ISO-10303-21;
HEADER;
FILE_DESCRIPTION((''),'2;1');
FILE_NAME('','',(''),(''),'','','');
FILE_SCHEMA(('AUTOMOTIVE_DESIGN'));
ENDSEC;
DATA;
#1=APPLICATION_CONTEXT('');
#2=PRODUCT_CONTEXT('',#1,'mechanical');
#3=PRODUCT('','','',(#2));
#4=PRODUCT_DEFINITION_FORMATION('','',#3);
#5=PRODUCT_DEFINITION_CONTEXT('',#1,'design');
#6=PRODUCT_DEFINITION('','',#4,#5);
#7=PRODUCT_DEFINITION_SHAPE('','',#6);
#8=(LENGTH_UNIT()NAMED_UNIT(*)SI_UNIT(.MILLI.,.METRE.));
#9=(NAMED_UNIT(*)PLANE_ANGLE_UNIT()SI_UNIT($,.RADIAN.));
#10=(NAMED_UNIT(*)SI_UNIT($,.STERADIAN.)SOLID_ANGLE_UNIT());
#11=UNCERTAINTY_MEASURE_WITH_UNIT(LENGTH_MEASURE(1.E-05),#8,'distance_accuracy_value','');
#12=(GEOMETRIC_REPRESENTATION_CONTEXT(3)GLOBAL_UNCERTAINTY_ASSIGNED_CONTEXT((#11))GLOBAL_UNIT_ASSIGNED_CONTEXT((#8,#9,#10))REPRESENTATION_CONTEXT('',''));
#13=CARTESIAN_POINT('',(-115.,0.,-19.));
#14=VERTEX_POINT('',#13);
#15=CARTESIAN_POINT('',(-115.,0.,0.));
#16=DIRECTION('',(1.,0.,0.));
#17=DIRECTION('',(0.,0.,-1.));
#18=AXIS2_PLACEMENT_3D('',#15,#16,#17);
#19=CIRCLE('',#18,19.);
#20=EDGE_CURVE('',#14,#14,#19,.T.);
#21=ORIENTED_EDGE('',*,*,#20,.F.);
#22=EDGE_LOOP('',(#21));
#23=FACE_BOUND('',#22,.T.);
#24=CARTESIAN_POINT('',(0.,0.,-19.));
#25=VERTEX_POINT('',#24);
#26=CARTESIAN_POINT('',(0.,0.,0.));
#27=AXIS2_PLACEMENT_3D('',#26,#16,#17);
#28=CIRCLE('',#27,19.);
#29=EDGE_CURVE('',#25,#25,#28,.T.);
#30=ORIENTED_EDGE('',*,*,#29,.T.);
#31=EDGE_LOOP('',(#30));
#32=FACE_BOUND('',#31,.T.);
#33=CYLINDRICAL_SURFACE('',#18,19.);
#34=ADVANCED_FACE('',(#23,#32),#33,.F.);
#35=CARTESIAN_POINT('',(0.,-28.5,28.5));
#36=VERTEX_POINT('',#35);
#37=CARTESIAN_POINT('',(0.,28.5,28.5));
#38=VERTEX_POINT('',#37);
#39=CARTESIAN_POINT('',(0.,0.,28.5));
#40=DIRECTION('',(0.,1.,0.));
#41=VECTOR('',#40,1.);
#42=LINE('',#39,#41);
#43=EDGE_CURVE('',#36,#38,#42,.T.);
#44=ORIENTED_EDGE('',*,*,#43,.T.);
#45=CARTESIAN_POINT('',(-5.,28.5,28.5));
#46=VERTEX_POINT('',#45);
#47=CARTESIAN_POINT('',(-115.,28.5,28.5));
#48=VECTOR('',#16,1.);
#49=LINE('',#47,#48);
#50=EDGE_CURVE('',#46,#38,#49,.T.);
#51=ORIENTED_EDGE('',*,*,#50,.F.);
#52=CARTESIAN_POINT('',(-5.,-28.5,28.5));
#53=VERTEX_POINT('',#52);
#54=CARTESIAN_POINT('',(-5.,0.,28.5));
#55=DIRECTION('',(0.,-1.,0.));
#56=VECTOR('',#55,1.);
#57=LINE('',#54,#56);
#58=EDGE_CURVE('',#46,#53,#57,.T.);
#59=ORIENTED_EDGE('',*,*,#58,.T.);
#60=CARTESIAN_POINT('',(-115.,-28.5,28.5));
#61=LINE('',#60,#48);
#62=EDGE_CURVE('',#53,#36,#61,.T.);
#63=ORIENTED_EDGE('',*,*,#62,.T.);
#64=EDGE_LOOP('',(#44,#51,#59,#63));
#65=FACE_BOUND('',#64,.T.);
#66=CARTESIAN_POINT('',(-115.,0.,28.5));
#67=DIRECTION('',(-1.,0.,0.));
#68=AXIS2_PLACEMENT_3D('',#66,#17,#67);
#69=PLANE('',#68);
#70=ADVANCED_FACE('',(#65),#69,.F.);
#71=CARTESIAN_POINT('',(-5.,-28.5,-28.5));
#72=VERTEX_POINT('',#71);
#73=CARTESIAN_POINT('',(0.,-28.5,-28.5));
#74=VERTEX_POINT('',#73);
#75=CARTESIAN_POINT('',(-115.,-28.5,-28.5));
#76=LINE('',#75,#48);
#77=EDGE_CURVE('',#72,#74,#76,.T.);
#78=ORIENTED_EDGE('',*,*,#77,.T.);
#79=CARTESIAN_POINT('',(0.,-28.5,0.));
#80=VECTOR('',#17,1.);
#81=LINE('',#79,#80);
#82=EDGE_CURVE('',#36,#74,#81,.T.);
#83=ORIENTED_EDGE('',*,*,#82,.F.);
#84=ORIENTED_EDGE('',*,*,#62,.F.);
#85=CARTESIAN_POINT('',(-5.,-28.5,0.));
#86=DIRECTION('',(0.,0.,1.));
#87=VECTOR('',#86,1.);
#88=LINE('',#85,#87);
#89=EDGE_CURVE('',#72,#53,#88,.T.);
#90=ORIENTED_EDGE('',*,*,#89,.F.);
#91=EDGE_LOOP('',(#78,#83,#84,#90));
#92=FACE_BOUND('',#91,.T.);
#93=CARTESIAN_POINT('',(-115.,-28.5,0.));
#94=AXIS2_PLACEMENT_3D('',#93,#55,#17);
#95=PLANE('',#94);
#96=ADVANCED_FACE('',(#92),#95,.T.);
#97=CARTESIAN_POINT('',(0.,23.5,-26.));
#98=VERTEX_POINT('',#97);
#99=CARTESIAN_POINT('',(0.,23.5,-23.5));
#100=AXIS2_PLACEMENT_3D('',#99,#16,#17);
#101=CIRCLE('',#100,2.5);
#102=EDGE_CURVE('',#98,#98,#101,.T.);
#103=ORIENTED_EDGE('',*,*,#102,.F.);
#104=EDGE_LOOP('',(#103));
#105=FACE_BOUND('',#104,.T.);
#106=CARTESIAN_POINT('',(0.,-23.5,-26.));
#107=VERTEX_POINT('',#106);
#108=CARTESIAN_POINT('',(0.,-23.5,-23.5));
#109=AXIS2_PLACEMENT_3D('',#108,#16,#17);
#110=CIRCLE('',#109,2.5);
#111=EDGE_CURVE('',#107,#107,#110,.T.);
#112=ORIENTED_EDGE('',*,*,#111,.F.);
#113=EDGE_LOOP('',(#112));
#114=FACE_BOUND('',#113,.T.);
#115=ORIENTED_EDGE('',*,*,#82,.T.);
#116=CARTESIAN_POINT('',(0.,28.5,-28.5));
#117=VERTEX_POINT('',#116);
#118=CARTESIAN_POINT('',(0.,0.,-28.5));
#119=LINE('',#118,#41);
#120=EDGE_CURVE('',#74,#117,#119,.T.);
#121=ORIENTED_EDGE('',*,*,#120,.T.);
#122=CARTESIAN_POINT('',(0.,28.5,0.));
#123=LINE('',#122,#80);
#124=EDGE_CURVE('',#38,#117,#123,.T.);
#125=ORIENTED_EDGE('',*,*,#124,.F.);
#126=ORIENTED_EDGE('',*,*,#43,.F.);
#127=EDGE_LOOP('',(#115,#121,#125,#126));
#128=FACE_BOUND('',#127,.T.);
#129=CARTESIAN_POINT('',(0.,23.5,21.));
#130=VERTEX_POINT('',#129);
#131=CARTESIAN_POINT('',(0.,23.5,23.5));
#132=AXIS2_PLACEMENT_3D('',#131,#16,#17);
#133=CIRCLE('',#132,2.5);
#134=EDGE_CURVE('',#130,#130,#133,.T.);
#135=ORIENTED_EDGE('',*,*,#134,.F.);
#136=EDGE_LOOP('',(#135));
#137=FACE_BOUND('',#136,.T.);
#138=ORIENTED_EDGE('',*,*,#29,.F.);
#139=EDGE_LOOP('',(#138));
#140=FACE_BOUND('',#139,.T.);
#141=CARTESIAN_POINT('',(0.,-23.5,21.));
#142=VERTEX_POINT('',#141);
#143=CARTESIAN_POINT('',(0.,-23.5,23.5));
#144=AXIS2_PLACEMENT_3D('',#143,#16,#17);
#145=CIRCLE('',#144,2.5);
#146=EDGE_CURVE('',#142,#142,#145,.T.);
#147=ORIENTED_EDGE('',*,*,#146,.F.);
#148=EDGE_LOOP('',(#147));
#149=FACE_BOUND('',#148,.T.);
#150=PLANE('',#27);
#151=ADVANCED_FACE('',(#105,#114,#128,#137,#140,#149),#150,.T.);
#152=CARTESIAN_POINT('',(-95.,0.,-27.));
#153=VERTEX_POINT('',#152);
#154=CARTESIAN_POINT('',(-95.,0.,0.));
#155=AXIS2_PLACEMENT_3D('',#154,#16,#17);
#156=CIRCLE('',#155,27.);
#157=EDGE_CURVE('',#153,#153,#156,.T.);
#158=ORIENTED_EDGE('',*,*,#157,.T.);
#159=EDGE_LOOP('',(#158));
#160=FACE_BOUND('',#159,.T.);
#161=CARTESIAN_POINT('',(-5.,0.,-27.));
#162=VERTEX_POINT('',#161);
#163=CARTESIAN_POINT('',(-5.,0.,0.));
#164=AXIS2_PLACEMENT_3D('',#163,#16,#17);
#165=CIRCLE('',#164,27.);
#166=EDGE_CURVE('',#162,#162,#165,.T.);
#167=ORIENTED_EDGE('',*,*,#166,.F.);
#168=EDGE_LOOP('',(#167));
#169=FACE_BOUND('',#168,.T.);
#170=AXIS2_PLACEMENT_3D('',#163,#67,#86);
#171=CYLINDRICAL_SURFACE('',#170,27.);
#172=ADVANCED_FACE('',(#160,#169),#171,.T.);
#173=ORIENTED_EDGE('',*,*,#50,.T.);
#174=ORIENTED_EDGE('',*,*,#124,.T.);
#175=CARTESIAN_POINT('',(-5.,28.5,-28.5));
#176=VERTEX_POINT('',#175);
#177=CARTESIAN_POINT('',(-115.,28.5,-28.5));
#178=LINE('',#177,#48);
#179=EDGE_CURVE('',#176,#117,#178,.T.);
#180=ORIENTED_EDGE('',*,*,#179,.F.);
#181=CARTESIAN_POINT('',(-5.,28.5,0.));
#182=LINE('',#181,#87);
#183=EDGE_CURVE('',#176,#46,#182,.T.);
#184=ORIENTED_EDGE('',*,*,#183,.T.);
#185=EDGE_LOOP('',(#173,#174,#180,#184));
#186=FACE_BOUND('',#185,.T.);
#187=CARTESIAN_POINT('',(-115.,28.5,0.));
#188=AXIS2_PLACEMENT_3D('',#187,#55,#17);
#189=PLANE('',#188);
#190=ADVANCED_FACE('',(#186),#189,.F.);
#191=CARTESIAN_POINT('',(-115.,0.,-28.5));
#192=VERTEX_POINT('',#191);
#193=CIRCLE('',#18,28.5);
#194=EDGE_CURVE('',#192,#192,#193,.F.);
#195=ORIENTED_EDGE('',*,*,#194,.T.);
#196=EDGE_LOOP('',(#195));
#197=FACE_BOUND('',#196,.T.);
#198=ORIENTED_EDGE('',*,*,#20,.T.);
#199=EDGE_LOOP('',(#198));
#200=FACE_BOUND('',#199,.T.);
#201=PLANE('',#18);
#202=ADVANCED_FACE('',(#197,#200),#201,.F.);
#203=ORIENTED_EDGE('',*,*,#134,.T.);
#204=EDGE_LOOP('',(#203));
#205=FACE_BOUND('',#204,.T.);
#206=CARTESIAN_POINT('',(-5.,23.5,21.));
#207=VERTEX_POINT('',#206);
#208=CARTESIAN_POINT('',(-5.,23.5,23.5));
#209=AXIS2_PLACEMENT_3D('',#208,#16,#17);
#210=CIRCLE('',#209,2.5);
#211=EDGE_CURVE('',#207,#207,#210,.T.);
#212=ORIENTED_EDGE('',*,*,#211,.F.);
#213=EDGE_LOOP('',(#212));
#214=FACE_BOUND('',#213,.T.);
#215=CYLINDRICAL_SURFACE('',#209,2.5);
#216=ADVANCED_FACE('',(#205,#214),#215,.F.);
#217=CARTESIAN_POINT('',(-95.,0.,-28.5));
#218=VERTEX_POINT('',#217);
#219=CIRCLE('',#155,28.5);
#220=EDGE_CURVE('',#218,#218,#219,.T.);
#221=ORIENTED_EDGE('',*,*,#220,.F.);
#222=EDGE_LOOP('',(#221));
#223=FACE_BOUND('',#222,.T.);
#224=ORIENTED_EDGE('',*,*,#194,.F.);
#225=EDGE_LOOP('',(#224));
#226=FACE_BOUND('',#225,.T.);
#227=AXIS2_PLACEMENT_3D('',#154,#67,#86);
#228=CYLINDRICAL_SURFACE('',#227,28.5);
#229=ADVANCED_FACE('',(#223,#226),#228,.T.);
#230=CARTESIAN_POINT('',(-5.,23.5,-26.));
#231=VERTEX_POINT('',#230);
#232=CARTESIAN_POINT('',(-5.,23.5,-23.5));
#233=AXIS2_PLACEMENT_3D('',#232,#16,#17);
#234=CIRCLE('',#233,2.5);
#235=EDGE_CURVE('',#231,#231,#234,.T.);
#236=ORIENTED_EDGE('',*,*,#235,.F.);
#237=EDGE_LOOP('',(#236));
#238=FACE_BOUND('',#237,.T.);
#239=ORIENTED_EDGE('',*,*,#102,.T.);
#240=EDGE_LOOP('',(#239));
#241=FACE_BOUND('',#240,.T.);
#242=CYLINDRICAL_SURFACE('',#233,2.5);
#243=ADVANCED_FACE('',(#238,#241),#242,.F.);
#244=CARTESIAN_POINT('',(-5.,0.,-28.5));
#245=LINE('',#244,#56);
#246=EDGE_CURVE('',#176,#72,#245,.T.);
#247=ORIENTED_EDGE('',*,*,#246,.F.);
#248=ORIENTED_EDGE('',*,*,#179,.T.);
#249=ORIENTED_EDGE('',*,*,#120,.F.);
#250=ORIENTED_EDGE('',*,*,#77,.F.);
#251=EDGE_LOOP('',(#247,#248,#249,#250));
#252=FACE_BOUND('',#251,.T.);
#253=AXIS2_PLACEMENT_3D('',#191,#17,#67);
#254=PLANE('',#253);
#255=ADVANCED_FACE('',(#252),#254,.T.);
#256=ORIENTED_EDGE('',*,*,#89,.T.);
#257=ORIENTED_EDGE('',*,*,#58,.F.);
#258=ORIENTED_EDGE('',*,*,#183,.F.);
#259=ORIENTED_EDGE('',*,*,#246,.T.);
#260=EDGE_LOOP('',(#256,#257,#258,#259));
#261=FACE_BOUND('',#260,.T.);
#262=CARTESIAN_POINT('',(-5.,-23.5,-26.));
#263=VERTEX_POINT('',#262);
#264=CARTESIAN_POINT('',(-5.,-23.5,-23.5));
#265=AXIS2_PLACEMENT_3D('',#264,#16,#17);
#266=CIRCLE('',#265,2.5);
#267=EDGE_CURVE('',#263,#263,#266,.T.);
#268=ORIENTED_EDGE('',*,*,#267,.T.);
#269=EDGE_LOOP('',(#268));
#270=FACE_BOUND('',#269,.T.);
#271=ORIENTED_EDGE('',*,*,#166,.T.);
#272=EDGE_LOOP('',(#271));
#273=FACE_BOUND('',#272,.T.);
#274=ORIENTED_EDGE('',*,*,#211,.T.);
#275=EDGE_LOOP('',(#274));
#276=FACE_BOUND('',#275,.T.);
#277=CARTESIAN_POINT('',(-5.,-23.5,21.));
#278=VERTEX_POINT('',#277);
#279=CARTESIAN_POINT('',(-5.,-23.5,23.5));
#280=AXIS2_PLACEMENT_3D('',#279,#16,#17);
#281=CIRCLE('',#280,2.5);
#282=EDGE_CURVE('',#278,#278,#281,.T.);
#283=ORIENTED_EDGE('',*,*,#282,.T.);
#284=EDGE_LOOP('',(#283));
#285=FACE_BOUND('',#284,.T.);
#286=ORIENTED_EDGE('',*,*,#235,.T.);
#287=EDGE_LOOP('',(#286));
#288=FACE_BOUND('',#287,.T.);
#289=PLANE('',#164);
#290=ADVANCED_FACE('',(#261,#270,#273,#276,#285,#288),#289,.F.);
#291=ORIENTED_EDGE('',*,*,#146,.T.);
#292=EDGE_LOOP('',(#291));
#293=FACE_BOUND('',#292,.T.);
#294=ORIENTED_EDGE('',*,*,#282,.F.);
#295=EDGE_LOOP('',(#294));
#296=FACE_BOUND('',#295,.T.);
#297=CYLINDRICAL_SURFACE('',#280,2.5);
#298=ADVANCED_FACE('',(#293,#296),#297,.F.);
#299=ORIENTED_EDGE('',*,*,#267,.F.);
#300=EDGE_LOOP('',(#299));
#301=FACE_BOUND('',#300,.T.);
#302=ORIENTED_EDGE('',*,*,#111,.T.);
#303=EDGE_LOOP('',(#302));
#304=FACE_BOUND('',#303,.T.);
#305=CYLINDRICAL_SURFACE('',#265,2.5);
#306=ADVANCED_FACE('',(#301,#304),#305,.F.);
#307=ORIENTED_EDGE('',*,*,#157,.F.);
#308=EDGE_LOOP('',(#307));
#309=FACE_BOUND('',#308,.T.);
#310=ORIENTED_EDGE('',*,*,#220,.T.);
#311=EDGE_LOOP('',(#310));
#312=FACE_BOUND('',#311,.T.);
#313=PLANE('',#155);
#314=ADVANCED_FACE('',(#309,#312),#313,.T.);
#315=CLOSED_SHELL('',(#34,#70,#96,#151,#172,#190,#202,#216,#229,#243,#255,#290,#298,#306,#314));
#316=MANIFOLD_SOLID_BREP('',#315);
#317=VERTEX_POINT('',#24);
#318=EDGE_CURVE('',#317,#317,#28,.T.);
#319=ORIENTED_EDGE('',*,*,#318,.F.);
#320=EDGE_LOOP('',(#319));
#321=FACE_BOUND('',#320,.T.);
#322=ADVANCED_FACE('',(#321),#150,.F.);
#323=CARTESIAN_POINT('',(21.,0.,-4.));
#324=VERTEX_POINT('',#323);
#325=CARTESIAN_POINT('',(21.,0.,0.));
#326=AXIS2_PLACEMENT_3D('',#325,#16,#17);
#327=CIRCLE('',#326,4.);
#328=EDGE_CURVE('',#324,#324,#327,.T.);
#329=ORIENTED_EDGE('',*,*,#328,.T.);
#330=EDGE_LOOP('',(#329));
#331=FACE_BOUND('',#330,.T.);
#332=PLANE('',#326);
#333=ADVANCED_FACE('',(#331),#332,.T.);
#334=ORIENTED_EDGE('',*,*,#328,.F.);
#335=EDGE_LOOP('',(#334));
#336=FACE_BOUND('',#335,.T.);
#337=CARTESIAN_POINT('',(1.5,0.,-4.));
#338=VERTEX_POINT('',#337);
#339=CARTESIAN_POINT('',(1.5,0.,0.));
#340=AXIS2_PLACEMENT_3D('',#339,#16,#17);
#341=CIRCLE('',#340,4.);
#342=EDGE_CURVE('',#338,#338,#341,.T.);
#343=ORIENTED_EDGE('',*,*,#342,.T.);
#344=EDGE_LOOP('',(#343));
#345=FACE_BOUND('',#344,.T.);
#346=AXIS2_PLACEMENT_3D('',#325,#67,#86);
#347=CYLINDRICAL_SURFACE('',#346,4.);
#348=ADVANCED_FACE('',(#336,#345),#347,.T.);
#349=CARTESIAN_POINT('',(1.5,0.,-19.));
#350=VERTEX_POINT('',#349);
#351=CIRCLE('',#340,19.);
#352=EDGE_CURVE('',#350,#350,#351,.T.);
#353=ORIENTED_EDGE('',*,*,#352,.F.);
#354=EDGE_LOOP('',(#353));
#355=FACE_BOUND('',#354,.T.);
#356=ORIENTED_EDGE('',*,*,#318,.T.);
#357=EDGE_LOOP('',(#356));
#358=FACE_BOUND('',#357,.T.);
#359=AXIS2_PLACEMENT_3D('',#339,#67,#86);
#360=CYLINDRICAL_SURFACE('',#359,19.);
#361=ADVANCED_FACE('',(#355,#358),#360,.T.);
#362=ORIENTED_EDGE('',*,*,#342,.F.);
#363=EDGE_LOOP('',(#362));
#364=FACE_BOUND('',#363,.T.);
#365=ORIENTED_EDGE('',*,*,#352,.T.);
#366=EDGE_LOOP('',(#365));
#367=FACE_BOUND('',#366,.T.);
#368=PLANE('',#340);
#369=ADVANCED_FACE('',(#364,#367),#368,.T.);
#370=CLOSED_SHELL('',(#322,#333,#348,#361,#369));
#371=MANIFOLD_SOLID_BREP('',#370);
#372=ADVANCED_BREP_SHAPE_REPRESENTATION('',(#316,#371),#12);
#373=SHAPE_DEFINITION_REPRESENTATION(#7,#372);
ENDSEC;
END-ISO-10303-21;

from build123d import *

# Parameters (mm, degrees)
SKETCH_1_R          = 4
EXTRUDE_1_DEPTH     = 21
SKETCH_1_3_R        = 19
SKETCH_1_3_R_2      = 4
EXTRUDE_2_DEPTH     = 1.5
SKETCH_1_4_W        = 57
SKETCH_1_4_H        = 57
SKETCH_1_4_R        = 19
EXTRUDE_3_DEPTH     = 115
SKETCH_9_OUTSIDE_W  = 90.618
SKETCH_9_OUTSIDE_H  = 90.618
SKETCH_9_OUTSIDE_R  = 28.5
CUT_EXTRUDE_1_DEPTH = 20
SKETCH_11_OUTSIDE_W = 90.618
SKETCH_11_OUTSIDE_H = 90.618
SKETCH_11_OUTSIDE_R = 27
CUT_EXTRUDE_2_DEPTH = 90
SKETCH_16_R         = 2.5
CUT_EXTRUDE_3_DEPTH = 5


with BuildPart() as part:
    # 草图1 → 凸台-拉伸1 (new body)
    with BuildSketch(Plane(origin=(0, 0, 0), x_dir=(0, 0, -1), z_dir=(1, 0, 0))):
        Circle(SKETCH_1_R)
    extrude(amount=EXTRUDE_1_DEPTH)

    # 草图1<3> → 凸台-拉伸2 (add)
    with BuildSketch(Plane(origin=(0, 0, 0), x_dir=(0, 0, -1), z_dir=(1, 0, 0))):
        Circle(SKETCH_1_3_R)
        Circle(SKETCH_1_3_R_2, mode=Mode.SUBTRACT)
    extrude(amount=EXTRUDE_2_DEPTH)


with BuildPart() as body_2:
    # 草图1<4> → 凸台-拉伸3 (new body)
    with BuildSketch(Plane(origin=(0, 0, 0), x_dir=(0, 0, -1), z_dir=(1, 0, 0))):
        Rectangle(SKETCH_1_4_W, SKETCH_1_4_H)
        Circle(SKETCH_1_4_R, mode=Mode.SUBTRACT)
    extrude(amount=-EXTRUDE_3_DEPTH)

    # 草图9 outside → 切除-拉伸1 (cut)
    with BuildSketch(Plane(origin=(-115, 0, 0), x_dir=(0, 0, -1), z_dir=(1, 0, 0))):
        Rectangle(SKETCH_9_OUTSIDE_W, SKETCH_9_OUTSIDE_H)
        Circle(SKETCH_9_OUTSIDE_R, mode=Mode.SUBTRACT)
    extrude(amount=CUT_EXTRUDE_1_DEPTH, mode=Mode.SUBTRACT)

    # 草图11 outside → 切除-拉伸2 (cut)
    with BuildSketch(Plane(origin=(-95, 0, 0), x_dir=(0, 0, -1), z_dir=(1, 0, 0))):
        Rectangle(SKETCH_11_OUTSIDE_W, SKETCH_11_OUTSIDE_H)
        Circle(SKETCH_11_OUTSIDE_R, mode=Mode.SUBTRACT)
    extrude(amount=CUT_EXTRUDE_2_DEPTH, mode=Mode.SUBTRACT)

    # 草图16 → 切除-拉伸3 (cut)
    with BuildSketch(Plane(origin=(0, 0, 0), x_dir=(0, 0, -1), z_dir=(1, 0, 0))):
        with Locations((-23.5, 23.5)):
            Circle(SKETCH_16_R)
        with Locations((23.5, 23.5)):
            Circle(SKETCH_16_R)
        with Locations((23.5, -23.5)):
            Circle(SKETCH_16_R)
        with Locations((-23.5, -23.5)):
            Circle(SKETCH_16_R)
    extrude(amount=-CUT_EXTRUDE_3_DEPTH, mode=Mode.SUBTRACT)


solid = Compound([part.part, body_2.part])
